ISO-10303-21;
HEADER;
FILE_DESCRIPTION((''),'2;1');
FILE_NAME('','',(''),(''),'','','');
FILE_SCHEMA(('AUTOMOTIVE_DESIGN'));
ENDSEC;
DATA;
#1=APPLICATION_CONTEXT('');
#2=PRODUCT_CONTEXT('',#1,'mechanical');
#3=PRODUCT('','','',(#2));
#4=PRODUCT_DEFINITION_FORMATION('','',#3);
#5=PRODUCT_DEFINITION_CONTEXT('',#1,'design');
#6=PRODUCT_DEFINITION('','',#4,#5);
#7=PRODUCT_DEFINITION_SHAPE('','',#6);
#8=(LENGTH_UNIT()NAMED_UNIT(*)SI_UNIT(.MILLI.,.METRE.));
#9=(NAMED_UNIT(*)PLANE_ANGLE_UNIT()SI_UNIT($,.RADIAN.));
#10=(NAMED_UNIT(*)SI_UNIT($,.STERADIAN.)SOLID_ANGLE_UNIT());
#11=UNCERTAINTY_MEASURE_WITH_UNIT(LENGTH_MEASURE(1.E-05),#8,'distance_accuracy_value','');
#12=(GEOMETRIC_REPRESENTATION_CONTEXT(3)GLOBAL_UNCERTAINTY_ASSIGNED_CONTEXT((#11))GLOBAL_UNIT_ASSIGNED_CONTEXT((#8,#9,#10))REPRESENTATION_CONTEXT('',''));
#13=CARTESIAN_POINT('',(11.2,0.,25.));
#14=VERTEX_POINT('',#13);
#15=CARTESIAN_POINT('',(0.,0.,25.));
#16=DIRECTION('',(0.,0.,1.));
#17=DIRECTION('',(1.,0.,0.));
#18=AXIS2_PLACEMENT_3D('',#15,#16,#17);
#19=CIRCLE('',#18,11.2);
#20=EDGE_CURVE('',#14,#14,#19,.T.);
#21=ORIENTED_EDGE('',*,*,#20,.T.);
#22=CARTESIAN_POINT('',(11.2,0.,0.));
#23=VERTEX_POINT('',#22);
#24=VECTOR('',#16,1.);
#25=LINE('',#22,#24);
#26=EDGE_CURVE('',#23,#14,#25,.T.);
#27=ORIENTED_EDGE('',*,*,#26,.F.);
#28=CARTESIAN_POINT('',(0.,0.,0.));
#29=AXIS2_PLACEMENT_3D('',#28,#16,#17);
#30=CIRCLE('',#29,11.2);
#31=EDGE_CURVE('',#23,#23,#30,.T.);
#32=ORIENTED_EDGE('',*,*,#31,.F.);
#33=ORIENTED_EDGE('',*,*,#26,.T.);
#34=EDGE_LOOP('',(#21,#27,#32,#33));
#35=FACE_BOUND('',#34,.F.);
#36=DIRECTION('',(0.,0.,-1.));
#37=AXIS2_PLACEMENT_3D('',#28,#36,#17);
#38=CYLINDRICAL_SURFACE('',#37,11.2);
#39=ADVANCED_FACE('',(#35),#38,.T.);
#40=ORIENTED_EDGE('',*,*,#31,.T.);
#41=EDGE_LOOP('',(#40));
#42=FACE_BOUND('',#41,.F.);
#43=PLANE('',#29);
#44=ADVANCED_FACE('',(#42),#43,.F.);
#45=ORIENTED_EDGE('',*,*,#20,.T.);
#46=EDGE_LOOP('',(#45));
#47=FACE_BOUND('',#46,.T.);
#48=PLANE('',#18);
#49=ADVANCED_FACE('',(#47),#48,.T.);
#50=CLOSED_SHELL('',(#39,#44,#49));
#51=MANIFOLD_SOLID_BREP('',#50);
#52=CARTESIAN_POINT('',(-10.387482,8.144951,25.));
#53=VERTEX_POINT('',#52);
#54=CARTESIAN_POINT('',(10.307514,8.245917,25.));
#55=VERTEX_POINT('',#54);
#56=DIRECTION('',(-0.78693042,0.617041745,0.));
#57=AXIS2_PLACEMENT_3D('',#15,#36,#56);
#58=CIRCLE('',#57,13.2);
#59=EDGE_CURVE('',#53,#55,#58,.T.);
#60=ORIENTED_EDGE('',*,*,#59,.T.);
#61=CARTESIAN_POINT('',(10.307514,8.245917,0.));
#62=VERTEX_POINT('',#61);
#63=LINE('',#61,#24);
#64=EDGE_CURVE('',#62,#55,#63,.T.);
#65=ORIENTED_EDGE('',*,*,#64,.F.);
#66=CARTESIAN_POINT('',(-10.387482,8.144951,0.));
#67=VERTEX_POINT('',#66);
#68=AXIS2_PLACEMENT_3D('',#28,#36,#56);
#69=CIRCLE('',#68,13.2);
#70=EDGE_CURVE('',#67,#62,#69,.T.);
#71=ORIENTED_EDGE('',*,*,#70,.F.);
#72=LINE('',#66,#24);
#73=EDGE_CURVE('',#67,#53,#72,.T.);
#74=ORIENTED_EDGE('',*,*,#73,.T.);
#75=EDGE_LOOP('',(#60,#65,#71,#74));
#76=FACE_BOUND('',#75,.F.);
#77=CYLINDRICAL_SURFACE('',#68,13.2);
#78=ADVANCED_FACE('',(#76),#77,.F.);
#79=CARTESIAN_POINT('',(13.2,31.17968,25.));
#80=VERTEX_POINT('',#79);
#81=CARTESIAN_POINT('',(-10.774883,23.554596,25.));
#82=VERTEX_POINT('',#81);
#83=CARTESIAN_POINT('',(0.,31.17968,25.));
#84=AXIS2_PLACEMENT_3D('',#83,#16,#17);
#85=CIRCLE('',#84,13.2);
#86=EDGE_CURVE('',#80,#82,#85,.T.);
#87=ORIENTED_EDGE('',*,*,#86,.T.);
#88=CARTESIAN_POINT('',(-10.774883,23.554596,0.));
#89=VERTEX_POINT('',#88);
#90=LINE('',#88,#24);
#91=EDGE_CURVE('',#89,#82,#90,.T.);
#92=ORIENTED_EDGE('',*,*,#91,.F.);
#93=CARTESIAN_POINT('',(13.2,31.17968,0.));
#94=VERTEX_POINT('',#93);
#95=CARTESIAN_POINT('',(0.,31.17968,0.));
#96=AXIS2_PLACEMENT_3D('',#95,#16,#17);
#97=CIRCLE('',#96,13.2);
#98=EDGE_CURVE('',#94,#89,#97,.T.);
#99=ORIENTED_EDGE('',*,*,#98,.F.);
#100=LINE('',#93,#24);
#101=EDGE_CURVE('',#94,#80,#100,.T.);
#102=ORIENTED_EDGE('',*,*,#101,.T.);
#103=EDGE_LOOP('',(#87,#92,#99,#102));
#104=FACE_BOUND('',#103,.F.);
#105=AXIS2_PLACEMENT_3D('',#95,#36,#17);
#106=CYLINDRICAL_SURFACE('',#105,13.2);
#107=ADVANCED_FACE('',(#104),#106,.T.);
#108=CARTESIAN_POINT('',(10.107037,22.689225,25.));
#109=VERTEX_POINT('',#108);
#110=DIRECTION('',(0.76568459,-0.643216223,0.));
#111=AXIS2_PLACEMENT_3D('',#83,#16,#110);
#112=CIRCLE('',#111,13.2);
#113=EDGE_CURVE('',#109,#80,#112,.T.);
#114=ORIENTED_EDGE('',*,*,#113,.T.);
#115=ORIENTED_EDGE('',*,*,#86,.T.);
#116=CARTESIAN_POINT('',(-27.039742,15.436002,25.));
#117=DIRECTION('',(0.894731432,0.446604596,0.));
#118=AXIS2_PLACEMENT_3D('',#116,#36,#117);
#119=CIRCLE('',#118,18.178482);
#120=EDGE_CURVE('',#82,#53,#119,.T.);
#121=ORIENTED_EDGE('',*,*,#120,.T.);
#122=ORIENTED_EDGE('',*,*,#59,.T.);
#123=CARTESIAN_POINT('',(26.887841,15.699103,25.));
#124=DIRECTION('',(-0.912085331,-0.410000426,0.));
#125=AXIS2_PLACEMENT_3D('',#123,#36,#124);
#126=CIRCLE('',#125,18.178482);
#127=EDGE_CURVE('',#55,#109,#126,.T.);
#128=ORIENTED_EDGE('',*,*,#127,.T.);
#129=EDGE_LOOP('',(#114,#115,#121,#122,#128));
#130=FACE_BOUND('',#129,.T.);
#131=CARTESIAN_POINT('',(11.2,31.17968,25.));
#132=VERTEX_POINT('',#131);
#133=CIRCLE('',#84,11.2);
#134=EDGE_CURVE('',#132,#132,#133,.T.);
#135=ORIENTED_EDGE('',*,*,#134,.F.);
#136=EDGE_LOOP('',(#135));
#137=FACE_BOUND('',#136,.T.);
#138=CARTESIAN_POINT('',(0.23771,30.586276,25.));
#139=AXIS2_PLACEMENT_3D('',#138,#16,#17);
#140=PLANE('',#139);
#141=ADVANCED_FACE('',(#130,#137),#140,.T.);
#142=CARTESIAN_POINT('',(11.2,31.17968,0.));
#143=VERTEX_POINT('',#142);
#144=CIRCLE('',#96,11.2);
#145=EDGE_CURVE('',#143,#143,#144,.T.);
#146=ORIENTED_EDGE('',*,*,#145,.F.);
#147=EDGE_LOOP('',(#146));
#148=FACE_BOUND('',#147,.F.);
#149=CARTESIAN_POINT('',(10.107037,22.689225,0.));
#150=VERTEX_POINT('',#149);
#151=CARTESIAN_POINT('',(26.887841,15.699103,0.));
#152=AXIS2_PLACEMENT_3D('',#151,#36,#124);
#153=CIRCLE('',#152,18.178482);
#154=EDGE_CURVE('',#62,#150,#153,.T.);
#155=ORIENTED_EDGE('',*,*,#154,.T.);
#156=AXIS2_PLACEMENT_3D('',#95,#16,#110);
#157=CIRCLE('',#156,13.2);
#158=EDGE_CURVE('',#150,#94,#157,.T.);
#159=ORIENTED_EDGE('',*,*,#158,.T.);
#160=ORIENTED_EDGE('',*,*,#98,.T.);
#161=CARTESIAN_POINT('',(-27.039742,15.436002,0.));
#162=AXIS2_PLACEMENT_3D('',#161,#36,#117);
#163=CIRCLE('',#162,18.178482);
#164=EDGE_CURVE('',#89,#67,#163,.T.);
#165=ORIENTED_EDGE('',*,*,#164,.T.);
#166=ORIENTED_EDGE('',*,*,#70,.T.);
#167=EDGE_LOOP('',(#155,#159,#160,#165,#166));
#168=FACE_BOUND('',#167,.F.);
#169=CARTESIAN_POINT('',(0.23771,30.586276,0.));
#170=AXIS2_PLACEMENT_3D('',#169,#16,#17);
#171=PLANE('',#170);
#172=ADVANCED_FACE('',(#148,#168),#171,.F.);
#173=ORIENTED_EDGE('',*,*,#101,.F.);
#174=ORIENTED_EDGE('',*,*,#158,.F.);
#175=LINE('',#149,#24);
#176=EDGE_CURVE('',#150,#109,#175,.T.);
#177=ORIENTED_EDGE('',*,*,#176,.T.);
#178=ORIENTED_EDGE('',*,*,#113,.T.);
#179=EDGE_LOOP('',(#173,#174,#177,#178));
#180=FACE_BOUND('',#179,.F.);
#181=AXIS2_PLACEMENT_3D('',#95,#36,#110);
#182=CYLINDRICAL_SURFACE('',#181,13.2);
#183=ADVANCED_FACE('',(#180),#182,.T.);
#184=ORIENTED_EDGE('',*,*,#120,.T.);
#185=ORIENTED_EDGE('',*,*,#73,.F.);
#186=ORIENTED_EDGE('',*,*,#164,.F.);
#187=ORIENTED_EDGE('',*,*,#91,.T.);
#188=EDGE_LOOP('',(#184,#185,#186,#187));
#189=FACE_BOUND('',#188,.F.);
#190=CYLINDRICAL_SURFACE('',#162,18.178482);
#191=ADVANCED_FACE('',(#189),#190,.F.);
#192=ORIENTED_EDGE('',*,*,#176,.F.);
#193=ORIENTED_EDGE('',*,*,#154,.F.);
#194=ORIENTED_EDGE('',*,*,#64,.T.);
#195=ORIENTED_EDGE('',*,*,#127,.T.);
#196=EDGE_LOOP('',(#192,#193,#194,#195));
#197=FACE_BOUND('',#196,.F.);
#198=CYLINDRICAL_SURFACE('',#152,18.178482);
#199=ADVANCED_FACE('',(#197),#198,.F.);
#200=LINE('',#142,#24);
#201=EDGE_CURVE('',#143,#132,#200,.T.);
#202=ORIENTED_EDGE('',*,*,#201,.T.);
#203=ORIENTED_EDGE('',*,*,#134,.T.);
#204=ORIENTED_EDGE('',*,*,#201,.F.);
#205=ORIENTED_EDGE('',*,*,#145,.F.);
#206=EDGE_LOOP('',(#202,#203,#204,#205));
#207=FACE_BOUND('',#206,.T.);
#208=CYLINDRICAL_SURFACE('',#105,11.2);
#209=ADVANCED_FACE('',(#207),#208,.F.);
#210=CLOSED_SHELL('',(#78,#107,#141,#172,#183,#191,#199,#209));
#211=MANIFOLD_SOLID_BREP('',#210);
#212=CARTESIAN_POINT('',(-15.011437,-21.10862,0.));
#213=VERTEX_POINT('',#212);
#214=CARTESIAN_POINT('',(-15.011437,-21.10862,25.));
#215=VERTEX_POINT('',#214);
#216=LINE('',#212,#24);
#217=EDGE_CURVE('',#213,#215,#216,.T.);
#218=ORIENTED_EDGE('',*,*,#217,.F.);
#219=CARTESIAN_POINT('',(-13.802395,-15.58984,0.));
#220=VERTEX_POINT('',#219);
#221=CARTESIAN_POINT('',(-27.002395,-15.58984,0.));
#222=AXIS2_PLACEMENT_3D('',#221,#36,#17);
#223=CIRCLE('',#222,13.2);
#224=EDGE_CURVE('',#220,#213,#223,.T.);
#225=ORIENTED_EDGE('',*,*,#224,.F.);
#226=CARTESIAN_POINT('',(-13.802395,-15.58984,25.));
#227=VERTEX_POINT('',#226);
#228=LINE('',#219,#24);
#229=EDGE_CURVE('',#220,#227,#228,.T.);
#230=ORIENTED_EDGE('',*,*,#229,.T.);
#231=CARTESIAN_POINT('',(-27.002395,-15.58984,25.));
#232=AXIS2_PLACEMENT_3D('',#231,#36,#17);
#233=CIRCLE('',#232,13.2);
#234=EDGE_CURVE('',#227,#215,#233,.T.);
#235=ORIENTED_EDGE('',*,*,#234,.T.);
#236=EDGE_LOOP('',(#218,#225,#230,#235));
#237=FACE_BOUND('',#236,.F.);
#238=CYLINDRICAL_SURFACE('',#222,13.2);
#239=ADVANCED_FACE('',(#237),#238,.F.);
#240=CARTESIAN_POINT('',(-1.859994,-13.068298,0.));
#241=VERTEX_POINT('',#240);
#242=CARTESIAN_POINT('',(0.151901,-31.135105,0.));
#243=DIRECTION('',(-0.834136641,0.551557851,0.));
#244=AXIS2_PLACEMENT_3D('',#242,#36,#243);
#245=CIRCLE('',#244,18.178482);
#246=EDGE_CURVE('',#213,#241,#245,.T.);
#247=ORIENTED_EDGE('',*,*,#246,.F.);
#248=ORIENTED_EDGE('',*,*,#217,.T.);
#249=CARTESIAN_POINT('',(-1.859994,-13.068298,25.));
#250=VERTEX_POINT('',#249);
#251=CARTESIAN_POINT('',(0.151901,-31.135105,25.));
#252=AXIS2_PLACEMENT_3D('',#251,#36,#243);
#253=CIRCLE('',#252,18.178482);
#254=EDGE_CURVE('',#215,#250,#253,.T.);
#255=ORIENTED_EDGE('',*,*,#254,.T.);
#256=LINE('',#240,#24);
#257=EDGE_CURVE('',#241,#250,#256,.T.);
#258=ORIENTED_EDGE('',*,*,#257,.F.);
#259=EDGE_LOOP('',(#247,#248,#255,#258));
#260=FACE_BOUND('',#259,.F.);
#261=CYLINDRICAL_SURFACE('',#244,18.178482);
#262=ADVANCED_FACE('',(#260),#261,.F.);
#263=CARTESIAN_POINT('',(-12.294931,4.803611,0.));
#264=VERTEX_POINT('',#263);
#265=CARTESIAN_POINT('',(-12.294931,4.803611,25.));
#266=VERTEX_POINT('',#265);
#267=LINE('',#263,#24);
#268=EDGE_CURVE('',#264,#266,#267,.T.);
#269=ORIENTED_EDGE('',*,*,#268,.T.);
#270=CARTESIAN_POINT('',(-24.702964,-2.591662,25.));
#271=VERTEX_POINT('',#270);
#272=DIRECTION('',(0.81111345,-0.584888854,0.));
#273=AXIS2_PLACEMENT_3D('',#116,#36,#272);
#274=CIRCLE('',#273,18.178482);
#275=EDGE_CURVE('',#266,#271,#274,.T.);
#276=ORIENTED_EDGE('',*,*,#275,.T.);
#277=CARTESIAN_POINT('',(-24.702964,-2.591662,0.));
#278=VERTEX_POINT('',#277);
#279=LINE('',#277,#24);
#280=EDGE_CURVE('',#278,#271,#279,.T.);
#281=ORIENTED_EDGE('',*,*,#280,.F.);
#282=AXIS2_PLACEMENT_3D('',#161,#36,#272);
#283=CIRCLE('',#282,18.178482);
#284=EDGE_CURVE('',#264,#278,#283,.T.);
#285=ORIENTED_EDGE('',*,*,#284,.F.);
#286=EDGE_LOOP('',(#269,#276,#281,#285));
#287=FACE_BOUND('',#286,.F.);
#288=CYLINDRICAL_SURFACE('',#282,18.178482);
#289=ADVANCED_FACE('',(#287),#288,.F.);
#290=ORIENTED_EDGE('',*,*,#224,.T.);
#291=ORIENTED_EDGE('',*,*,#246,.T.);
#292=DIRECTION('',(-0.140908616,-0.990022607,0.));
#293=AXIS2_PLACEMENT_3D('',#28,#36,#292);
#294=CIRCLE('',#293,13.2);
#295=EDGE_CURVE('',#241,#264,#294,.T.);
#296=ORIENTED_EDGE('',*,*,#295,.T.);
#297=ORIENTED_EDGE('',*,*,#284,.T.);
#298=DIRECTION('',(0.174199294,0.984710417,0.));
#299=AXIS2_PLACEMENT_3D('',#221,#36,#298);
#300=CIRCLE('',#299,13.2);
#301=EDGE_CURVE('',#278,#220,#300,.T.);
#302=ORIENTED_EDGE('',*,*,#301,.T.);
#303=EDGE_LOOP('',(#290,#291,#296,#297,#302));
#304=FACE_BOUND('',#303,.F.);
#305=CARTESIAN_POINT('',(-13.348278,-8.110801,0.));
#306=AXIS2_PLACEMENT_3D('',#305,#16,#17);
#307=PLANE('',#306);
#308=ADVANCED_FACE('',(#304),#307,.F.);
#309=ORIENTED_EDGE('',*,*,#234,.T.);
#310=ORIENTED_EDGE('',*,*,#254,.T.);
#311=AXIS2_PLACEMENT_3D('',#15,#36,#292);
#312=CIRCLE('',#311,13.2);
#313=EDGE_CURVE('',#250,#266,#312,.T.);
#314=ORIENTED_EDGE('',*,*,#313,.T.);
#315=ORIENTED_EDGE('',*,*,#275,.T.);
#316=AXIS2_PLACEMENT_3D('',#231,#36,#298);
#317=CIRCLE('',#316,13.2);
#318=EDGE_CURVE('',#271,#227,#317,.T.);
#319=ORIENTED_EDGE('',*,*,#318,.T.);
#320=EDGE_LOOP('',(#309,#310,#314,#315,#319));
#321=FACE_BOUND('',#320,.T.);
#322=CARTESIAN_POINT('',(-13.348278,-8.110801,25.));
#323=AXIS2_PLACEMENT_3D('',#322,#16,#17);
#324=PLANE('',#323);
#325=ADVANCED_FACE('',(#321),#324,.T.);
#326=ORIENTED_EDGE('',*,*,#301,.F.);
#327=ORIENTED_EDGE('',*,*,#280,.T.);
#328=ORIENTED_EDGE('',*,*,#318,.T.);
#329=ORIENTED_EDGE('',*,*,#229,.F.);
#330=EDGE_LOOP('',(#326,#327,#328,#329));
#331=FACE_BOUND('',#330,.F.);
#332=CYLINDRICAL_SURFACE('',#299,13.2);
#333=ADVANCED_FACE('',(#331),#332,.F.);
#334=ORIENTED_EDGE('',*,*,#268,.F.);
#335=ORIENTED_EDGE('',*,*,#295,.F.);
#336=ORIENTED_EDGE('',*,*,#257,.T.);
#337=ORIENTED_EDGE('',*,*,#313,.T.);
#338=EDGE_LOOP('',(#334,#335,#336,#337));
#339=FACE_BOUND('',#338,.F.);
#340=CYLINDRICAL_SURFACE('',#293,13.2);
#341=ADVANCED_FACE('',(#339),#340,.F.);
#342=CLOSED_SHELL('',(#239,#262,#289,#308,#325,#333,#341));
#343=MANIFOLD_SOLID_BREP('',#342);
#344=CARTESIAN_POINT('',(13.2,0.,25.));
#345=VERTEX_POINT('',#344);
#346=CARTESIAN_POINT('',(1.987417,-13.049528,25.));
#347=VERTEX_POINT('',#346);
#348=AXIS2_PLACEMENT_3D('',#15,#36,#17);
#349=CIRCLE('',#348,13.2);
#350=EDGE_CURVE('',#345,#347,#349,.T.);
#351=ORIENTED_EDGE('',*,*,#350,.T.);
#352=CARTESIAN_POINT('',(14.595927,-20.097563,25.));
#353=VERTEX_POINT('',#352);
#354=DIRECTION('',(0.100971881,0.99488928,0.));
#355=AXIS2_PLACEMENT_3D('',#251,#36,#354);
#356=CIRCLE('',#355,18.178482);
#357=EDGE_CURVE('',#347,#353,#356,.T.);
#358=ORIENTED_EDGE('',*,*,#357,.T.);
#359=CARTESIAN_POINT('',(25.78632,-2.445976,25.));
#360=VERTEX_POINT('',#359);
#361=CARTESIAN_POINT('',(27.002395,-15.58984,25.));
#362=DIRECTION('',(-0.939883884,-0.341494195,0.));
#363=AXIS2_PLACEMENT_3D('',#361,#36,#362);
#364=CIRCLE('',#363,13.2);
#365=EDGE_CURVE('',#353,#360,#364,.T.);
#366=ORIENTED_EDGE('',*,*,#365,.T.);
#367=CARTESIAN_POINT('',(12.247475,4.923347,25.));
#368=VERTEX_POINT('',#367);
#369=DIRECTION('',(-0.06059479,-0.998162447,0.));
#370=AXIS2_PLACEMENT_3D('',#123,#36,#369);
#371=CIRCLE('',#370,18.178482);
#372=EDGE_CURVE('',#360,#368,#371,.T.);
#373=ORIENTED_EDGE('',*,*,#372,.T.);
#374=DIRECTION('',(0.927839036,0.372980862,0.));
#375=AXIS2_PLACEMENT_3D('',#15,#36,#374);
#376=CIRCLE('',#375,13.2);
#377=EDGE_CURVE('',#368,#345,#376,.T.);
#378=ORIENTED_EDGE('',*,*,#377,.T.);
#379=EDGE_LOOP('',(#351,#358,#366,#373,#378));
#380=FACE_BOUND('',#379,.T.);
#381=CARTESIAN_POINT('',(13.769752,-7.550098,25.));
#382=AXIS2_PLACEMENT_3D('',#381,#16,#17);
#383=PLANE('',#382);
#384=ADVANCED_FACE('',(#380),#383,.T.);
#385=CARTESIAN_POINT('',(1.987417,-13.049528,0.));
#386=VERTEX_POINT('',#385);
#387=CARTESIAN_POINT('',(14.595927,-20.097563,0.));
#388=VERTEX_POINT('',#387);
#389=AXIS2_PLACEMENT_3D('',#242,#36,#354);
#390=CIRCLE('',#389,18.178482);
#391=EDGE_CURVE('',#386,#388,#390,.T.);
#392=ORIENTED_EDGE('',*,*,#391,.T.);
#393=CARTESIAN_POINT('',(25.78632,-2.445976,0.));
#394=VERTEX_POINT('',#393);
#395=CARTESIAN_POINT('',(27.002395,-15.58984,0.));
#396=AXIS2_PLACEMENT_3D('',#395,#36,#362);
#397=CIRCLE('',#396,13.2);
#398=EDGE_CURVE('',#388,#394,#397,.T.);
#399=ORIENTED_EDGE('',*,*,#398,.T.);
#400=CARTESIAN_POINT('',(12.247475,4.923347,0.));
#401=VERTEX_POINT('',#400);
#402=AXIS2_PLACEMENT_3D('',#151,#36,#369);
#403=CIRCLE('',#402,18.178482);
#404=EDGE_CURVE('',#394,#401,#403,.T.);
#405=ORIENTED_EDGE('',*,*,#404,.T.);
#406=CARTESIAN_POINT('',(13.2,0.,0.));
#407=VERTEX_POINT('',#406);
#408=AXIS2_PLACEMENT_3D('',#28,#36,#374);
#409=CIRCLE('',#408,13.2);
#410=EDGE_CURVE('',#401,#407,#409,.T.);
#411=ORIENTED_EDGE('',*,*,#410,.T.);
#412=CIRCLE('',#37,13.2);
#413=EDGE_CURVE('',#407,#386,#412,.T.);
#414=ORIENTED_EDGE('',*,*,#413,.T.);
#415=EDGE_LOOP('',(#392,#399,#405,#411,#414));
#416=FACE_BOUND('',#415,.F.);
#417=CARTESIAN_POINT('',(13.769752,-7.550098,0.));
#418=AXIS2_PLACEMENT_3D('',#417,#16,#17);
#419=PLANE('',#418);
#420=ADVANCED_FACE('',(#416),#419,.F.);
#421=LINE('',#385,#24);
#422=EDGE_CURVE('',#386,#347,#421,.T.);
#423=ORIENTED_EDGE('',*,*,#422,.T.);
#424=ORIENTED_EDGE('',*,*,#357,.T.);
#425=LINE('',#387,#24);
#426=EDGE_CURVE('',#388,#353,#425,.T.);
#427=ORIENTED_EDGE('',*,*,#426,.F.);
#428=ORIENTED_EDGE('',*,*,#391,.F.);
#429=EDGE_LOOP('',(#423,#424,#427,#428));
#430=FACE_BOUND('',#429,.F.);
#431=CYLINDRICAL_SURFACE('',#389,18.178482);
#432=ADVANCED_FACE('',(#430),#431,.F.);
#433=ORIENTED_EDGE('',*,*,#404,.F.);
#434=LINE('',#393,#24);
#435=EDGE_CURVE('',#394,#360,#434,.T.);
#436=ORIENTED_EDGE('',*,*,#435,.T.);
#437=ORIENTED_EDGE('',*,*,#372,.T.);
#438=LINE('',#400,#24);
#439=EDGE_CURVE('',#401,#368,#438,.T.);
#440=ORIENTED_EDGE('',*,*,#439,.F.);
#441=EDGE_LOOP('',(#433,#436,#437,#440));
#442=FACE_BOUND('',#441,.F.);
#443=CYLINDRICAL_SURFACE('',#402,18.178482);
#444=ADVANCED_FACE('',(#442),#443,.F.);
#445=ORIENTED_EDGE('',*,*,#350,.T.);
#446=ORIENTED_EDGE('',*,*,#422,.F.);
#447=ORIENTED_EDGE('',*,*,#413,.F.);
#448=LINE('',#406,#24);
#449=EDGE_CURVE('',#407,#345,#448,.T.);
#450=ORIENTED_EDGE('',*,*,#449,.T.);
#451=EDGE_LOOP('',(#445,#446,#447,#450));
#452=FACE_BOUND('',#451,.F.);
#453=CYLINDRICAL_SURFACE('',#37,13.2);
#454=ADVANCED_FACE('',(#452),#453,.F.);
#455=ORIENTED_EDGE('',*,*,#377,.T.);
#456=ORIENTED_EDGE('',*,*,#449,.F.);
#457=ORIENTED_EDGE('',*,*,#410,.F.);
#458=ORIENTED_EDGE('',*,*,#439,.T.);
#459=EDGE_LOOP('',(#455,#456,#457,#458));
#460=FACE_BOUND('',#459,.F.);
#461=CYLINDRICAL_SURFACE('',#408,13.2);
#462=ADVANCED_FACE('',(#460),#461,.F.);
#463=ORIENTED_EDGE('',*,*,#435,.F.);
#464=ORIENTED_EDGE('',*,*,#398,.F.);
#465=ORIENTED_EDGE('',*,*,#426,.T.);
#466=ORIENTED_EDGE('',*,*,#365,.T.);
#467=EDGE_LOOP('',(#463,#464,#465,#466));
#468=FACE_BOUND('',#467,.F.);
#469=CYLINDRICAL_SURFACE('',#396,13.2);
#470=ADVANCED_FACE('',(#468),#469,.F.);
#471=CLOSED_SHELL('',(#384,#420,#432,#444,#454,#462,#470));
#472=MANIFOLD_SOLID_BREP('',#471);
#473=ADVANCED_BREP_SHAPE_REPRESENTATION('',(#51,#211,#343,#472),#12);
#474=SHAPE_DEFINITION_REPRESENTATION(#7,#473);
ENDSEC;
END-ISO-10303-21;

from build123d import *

# Parameters (mm, degrees)
F0_R     = 11.2
F2_DEPTH = 25


with BuildPart() as f2:
    # F0 (on Top) → F2 (new body)
    with BuildSketch(Plane.XY):
        with BuildLine():
            ThreePointArc((-10.7748828951, 23.5545960435), (-0.5465539807, 17.9909996106), (10.1070365837, 22.6892254181))
            ThreePointArc((10.1070365837, 22.6892254181), (12.4026788015, 26.6615429343), (13.2, 31.1796795577))
            ThreePointArc((13.2, 31.1796795577), (-4.0007215465, 43.7587982513), (-10.7748828951, 23.5545960435))
        make_face()
        with Locations((0, 31.1796795577)):
            Circle(F0_R, mode=Mode.SUBTRACT)
        with BuildLine():
            ThreePointArc((-10.3874815396, 8.144951029), (-0.0643990559, 13.1998429067), (10.3075141907, 8.2459172448))
            ThreePointArc((10.3075141907, 8.2459172448), (8.7111098325, 15.4468040885), (10.1070365837, 22.6892254181))
            ThreePointArc((10.1070365837, 22.6892254181), (-0.5465539807, 17.9909996106), (-10.7748828951, 23.5545960435))
            ThreePointArc((-10.7748828951, 23.5545960435), (-8.867002021, 15.8928683468), (-10.3874815396, 8.144951029))
        make_face()
    extrude(amount=F2_DEPTH)


with BuildPart() as f2b:
    # F0 (on Top) → F2, piece 2 (new body)
    with BuildSketch(Plane.XY):
        with BuildLine():
            ThreePointArc((-15.0114371021, -21.1086203317), (-9.3301267168, -15.625483179), (-1.8599937339, -13.0682984091))
            ThreePointArc((-1.8599937339, -13.0682984091), (-11.3991997552, -6.6556926717), (-12.2949309069, 4.8036105166))
            ThreePointArc((-12.2949309069, 4.8036105166), (-17.7328796642, -0.1793596341), (-24.7029638961, -2.5916622706))
            ThreePointArc((-24.7029638961, -2.5916622706), (-16.8882340844, -7.1078731735), (-13.8023945788, -15.5898397788))
            ThreePointArc((-13.8023945788, -15.5898397788), (-14.1081974597, -18.4146726329), (-15.0114371021, -21.1086203317))
        make_face()
    extrude(amount=F2_DEPTH)


with BuildPart() as f2c:
    # F0 (on Top) → F2, piece 3 (new body)
    with BuildSketch(Plane.XY):
        Circle(F0_R)
    extrude(amount=F2_DEPTH)


with BuildPart() as f2d:
    # F0 (on Top) → F2, piece 4 (new body)
    with BuildSketch(Plane.XY):
        with BuildLine():
            ThreePointArc((12.2474752735, 4.9233473801), (12.9596812, 2.5073219169), (13.2, 0))
            ThreePointArc((13.2, 0), (10.0118405064, -8.6025025239), (1.9874167161, -13.0495277614))
            ThreePointArc((1.9874167161, -13.0495277614), (9.0217698316, -15.2674444544), (14.5959273124, -20.0975631475))
            ThreePointArc((14.5959273124, -20.0975631475), (15.8539396926, -8.5221701735), (25.7863199971, -2.4459757118))
            ThreePointArc((25.7863199971, -2.4459757118), (18.1971287378, -0.2673851678), (12.2474752735, 4.9233473801))
        make_face()
    extrude(amount=F2_DEPTH)


solid = Compound([f2.part, f2b.part, f2c.part, f2d.part])
